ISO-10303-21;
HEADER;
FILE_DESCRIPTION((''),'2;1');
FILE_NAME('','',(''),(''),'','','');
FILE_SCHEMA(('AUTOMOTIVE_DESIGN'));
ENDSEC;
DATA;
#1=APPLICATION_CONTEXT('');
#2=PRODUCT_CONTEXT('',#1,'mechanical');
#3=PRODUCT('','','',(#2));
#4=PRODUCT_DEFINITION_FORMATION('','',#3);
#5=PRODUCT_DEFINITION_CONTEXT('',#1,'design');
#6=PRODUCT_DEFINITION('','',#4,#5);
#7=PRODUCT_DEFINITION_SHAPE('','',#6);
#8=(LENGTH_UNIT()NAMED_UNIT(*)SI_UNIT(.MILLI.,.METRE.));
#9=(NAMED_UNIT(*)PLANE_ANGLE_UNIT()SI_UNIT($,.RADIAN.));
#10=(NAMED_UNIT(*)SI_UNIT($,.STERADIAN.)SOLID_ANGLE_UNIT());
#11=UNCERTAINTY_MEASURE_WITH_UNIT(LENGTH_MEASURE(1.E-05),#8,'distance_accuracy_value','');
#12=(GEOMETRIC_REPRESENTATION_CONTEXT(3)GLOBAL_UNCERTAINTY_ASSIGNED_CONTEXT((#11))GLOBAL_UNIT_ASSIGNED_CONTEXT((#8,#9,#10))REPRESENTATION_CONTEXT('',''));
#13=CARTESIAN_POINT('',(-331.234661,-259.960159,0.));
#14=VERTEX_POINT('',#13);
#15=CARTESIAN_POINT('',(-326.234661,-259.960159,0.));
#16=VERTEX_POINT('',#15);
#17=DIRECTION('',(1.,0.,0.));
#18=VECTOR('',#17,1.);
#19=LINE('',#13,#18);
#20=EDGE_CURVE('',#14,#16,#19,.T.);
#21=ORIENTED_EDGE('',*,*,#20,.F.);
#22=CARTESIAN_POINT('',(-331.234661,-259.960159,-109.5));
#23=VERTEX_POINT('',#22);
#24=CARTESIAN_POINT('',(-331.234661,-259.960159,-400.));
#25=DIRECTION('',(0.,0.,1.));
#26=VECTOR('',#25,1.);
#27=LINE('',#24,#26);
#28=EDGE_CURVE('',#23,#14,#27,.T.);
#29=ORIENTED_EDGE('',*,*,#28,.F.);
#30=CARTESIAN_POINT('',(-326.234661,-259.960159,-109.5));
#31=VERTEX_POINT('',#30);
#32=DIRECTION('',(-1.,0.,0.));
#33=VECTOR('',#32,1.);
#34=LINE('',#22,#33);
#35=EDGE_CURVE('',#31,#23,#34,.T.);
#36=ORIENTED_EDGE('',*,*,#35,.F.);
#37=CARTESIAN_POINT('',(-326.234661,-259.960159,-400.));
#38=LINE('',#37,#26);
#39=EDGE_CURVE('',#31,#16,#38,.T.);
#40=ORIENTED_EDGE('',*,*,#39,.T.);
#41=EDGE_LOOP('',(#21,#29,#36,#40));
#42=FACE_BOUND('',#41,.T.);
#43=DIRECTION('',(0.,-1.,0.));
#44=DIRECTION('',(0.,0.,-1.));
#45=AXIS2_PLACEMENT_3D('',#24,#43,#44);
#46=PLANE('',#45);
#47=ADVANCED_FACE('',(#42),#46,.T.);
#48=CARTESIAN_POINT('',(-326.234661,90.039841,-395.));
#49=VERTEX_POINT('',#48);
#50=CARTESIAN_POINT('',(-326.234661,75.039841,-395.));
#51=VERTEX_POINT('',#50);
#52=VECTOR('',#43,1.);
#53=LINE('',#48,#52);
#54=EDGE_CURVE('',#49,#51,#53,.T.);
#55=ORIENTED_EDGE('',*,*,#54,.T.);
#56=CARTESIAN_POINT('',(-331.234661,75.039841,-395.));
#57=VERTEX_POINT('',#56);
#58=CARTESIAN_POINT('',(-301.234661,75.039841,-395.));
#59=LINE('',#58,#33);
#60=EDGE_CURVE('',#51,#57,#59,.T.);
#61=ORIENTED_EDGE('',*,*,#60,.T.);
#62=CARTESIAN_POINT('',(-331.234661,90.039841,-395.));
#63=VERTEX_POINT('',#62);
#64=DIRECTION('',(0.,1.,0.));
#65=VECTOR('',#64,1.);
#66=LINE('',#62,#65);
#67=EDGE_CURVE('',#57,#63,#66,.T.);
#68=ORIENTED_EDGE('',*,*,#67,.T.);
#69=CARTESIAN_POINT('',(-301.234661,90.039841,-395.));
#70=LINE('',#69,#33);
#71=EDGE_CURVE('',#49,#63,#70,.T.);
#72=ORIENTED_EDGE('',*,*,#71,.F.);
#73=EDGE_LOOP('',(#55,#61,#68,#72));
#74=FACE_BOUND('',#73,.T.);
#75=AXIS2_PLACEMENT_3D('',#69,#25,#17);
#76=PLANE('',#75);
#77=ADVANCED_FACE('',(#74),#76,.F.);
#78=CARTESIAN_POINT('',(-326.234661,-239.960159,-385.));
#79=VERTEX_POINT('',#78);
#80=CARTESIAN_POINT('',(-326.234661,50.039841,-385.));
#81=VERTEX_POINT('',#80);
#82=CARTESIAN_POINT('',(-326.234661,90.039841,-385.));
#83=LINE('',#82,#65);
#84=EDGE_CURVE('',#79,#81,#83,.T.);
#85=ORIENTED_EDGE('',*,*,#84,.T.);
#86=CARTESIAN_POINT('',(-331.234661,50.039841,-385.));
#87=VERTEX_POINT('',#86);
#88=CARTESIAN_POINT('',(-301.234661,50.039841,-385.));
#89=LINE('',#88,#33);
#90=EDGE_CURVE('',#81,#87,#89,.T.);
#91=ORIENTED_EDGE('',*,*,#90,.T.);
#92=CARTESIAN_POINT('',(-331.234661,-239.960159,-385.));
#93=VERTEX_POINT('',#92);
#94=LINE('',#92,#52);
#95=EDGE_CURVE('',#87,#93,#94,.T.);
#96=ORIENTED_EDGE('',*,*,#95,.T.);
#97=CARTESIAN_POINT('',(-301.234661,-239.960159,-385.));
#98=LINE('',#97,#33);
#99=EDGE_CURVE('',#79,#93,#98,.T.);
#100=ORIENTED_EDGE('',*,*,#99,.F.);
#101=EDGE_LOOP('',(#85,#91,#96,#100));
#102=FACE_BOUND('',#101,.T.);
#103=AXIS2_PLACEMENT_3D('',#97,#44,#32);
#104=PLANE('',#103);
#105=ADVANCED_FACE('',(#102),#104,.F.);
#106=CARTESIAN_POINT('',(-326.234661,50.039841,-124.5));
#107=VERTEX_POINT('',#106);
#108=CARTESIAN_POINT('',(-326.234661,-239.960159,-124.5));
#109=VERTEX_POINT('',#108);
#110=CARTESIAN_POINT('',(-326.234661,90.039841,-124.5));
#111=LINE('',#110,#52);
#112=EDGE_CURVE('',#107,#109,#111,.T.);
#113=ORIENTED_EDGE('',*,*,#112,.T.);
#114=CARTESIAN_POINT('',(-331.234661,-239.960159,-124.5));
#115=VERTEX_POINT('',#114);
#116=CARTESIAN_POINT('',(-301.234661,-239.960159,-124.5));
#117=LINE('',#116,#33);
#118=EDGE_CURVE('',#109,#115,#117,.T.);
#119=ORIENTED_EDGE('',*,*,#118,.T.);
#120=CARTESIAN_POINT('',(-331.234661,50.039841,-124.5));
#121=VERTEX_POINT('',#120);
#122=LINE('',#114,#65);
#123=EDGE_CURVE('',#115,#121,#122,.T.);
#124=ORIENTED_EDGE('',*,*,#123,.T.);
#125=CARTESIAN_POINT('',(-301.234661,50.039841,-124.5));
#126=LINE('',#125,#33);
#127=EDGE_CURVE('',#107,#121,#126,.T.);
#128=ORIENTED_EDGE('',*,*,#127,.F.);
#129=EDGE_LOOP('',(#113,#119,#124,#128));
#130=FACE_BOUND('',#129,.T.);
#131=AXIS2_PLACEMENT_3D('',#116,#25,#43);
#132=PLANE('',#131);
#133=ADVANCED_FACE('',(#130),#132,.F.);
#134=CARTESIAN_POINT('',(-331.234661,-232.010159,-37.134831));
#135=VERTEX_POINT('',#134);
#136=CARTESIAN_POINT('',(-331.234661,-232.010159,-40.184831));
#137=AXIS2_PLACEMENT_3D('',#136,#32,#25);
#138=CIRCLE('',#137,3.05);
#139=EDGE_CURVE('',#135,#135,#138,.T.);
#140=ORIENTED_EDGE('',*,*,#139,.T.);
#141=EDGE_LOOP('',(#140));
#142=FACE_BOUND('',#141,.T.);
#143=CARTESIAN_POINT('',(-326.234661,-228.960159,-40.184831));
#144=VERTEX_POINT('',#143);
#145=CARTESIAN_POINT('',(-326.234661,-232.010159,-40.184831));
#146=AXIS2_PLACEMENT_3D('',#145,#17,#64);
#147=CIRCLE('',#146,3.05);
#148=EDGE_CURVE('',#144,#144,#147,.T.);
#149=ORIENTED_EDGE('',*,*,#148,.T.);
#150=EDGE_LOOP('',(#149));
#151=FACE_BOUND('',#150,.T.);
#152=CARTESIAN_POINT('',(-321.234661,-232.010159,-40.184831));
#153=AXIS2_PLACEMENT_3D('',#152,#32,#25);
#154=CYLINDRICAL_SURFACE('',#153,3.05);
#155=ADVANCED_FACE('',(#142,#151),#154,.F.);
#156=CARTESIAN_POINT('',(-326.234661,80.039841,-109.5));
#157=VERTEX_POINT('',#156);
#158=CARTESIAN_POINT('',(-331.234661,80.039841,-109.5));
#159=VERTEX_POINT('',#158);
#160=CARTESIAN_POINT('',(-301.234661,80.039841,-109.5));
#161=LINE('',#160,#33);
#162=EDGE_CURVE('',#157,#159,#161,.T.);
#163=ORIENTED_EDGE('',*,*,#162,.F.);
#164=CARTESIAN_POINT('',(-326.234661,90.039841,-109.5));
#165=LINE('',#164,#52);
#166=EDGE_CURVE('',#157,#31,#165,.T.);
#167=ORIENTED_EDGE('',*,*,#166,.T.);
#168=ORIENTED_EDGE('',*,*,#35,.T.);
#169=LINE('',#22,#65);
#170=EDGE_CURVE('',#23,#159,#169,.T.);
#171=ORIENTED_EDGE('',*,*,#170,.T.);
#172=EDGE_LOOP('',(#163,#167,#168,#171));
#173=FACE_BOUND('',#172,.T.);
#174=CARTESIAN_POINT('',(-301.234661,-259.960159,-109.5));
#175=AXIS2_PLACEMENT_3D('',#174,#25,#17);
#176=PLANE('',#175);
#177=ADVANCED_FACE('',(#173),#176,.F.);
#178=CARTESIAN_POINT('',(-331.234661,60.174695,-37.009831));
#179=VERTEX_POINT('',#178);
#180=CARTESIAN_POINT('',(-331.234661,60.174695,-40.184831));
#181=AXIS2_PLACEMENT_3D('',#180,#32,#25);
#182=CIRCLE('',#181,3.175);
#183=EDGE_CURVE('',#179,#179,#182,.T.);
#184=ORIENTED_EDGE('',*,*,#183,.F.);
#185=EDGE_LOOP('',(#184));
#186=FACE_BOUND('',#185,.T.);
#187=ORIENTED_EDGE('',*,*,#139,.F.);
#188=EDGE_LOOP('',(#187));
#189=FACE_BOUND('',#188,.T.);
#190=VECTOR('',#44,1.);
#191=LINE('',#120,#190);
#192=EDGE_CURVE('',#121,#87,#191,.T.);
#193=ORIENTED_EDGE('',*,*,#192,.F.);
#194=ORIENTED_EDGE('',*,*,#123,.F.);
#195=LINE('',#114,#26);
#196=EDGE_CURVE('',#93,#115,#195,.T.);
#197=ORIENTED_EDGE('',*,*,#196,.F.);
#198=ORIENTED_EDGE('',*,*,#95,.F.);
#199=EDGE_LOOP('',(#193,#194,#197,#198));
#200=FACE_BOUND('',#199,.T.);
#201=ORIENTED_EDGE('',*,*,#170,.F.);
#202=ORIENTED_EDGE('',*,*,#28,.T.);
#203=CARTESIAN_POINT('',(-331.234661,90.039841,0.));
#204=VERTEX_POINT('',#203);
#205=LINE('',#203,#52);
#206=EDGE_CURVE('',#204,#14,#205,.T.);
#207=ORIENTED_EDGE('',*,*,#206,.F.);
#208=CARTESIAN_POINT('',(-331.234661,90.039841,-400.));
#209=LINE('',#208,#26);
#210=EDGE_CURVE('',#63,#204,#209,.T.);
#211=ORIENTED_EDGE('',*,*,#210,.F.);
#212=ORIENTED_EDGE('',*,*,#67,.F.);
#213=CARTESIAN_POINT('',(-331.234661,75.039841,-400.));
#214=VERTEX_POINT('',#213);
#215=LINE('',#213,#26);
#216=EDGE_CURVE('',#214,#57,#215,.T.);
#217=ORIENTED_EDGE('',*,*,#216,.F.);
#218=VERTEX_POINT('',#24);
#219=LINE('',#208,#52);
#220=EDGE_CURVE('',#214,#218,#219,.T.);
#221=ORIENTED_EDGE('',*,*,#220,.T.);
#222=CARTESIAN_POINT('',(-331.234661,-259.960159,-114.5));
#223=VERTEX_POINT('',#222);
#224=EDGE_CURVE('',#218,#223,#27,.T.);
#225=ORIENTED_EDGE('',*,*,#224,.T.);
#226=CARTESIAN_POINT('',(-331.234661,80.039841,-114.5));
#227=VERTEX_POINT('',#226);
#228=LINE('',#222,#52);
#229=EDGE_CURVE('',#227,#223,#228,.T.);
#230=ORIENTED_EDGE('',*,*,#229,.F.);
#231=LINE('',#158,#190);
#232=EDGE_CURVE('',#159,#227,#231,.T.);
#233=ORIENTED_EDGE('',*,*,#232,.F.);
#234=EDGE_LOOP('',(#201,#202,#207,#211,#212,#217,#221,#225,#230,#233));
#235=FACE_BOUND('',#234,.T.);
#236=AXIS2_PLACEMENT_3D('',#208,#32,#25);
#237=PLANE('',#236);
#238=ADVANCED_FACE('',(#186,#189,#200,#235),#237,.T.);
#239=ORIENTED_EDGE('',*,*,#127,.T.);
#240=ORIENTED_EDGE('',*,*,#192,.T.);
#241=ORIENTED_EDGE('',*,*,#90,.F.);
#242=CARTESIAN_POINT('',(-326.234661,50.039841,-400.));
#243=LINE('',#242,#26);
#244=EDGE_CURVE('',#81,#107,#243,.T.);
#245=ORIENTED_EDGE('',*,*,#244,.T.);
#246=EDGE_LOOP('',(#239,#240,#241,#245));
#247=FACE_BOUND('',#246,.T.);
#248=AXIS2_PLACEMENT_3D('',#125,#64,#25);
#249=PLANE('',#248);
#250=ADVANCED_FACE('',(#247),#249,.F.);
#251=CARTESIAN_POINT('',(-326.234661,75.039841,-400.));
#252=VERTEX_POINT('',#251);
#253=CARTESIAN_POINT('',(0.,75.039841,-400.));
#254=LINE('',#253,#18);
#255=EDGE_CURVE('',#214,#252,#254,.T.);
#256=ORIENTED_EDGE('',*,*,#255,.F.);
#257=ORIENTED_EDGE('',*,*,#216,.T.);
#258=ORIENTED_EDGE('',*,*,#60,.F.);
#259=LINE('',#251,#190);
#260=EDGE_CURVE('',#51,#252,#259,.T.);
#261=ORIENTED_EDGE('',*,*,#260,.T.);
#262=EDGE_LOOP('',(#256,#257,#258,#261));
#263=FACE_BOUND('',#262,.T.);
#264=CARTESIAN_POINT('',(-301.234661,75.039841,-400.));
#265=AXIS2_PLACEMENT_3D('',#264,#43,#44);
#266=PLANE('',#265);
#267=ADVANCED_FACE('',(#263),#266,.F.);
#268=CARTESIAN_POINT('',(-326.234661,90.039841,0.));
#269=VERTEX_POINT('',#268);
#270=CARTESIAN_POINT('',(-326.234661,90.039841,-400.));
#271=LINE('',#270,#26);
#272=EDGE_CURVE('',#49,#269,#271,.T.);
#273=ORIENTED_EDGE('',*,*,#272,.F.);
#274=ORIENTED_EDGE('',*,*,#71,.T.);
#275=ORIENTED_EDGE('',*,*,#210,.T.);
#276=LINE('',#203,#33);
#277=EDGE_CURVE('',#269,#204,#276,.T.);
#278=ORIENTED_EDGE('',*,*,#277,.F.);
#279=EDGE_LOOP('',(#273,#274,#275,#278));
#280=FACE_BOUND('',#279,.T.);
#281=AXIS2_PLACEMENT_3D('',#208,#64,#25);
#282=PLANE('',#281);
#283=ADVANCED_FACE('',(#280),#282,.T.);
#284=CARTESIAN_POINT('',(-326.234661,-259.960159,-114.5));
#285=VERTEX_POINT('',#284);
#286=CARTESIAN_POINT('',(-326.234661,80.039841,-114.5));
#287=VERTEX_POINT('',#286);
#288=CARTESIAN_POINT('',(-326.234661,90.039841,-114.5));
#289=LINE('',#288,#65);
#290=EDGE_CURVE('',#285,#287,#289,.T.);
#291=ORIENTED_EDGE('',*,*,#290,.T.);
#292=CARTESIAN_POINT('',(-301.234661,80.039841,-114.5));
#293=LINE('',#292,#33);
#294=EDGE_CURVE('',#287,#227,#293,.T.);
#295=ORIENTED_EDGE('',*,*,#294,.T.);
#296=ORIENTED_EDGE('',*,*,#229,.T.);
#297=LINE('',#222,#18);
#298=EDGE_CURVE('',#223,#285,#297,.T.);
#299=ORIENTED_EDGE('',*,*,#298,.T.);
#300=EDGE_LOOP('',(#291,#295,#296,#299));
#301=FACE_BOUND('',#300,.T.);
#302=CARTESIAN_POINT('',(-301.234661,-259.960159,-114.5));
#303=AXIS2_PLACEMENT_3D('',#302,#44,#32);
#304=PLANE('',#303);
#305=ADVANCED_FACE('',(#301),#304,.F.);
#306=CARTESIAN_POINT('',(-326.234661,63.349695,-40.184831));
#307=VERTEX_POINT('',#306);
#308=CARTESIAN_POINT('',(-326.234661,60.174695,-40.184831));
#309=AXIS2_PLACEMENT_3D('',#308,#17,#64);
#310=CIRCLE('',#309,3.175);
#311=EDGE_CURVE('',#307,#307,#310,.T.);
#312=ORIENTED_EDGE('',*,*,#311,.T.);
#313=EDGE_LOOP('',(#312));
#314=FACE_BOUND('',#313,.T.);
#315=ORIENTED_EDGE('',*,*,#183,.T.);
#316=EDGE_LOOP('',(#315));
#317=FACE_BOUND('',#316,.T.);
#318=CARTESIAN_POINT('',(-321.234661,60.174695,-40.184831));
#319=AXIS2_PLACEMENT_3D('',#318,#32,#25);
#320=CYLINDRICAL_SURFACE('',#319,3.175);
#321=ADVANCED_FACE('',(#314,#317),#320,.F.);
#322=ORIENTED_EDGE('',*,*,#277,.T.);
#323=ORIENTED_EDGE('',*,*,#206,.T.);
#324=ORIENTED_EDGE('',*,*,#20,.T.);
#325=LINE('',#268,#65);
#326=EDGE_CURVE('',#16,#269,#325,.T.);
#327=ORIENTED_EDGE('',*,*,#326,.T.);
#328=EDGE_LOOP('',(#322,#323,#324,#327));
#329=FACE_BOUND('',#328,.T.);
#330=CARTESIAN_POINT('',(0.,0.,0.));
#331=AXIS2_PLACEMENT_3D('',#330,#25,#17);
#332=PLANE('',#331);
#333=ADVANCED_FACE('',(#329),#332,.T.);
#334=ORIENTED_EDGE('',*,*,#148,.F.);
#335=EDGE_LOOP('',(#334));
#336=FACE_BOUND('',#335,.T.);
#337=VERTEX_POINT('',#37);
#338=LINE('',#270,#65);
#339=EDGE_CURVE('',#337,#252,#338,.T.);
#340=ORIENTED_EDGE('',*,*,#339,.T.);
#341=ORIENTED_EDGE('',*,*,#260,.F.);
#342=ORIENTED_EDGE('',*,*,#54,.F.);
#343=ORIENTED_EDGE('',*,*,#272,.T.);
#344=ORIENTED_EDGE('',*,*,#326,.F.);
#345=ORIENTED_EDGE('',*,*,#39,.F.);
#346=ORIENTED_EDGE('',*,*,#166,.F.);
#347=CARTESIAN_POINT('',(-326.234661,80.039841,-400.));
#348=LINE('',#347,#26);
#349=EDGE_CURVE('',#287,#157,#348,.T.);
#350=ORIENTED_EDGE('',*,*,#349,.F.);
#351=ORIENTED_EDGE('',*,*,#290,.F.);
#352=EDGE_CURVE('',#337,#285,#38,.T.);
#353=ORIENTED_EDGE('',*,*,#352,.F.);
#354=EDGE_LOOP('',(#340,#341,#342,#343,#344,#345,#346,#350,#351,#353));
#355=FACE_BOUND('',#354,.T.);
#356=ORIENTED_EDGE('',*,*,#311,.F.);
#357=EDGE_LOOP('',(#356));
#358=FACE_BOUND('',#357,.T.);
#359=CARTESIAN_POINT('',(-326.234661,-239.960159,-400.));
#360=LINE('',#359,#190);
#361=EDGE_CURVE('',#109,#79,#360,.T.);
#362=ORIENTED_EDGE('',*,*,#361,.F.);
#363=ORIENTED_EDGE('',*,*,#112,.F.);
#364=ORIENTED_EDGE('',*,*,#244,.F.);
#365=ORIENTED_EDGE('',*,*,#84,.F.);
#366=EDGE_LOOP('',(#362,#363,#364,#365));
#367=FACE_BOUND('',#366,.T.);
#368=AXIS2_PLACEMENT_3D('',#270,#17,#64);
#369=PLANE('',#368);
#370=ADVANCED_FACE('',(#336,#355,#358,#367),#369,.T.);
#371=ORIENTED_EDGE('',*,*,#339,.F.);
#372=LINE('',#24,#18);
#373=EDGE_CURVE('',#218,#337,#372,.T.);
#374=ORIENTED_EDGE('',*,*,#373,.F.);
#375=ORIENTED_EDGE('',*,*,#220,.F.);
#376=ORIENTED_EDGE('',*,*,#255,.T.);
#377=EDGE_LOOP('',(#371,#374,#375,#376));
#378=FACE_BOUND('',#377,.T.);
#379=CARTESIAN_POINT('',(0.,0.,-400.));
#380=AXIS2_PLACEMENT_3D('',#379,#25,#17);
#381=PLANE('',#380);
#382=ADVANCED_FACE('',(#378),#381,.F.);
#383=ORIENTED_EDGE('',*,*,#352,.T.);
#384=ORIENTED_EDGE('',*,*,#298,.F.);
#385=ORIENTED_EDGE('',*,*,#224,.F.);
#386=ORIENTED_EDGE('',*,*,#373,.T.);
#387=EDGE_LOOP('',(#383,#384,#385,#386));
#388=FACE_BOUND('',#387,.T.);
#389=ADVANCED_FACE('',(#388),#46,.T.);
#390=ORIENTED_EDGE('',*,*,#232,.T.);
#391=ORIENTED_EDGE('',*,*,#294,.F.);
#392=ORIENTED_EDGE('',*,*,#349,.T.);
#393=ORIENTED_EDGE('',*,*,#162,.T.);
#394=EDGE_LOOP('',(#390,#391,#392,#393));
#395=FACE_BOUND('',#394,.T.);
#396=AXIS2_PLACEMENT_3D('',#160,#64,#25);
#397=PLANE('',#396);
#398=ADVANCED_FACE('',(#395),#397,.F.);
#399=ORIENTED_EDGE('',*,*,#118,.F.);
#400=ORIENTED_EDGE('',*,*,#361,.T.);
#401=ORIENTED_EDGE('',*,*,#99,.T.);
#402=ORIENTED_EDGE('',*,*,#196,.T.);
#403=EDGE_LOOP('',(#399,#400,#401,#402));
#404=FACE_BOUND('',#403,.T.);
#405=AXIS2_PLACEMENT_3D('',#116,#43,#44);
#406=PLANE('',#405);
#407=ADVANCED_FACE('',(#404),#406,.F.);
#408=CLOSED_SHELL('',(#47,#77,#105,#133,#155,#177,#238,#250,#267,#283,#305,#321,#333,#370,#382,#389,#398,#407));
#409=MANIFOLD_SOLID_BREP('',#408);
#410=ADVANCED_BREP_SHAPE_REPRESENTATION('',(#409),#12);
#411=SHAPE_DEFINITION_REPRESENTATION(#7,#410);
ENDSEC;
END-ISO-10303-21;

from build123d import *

# Parameters (mm, degrees)
CROQUIS1_W              = 5
CROQUIS1_H              = 350
SALIENTE_EXTRUIR1_DEPTH = 400
CROQUIS2_W              = 5
CROQUIS2_H              = 340
CROQUIS2_W_2            = 260.5
CROQUIS2_H_2            = 290
CROQUIS2_H_3            = 15
CORTAR_EXTRUIR1_DEPTH   = 30
CROQUIS3_R              = 3.175
CROQUIS3_R_2            = 3.05
CORTAR_EXTRUIR2_DEPTH   = 10


with BuildPart() as part:
    # Croquis1 → Saliente-Extruir1 (new body)
    with BuildSketch(Plane.XY):
        with Locations((-328.734660689, -84.960159363)):
            Rectangle(CROQUIS1_W, CROQUIS1_H)
    extrude(amount=-SALIENTE_EXTRUIR1_DEPTH)

    # Croquis2 → Cortar-Extruir1 (cut)
    with BuildSketch(Plane.ZY.offset(331.234660689)):
        with Locations((-112, -89.960159363)):
            Rectangle(CROQUIS2_W, CROQUIS2_H)
        with Locations((-254.75, -94.960159363)):
            Rectangle(CROQUIS2_W_2, CROQUIS2_H_2)
        with Locations((-397.5, 82.539840637)):
            Rectangle(CROQUIS2_W, CROQUIS2_H_3)
    extrude(amount=-CORTAR_EXTRUIR1_DEPTH, mode=Mode.SUBTRACT)

    # Croquis3 → Cortar-Extruir2 (cut)
    with BuildSketch(Plane.ZY.offset(331.234660689)):
        with Locations((-40.18483097, 60.17469511)):
            Circle(CROQUIS3_R)
        with Locations((-40.18483097, -232.010159363)):
            Circle(CROQUIS3_R_2)
    extrude(amount=-CORTAR_EXTRUIR2_DEPTH, mode=Mode.SUBTRACT)


solid = part.part
